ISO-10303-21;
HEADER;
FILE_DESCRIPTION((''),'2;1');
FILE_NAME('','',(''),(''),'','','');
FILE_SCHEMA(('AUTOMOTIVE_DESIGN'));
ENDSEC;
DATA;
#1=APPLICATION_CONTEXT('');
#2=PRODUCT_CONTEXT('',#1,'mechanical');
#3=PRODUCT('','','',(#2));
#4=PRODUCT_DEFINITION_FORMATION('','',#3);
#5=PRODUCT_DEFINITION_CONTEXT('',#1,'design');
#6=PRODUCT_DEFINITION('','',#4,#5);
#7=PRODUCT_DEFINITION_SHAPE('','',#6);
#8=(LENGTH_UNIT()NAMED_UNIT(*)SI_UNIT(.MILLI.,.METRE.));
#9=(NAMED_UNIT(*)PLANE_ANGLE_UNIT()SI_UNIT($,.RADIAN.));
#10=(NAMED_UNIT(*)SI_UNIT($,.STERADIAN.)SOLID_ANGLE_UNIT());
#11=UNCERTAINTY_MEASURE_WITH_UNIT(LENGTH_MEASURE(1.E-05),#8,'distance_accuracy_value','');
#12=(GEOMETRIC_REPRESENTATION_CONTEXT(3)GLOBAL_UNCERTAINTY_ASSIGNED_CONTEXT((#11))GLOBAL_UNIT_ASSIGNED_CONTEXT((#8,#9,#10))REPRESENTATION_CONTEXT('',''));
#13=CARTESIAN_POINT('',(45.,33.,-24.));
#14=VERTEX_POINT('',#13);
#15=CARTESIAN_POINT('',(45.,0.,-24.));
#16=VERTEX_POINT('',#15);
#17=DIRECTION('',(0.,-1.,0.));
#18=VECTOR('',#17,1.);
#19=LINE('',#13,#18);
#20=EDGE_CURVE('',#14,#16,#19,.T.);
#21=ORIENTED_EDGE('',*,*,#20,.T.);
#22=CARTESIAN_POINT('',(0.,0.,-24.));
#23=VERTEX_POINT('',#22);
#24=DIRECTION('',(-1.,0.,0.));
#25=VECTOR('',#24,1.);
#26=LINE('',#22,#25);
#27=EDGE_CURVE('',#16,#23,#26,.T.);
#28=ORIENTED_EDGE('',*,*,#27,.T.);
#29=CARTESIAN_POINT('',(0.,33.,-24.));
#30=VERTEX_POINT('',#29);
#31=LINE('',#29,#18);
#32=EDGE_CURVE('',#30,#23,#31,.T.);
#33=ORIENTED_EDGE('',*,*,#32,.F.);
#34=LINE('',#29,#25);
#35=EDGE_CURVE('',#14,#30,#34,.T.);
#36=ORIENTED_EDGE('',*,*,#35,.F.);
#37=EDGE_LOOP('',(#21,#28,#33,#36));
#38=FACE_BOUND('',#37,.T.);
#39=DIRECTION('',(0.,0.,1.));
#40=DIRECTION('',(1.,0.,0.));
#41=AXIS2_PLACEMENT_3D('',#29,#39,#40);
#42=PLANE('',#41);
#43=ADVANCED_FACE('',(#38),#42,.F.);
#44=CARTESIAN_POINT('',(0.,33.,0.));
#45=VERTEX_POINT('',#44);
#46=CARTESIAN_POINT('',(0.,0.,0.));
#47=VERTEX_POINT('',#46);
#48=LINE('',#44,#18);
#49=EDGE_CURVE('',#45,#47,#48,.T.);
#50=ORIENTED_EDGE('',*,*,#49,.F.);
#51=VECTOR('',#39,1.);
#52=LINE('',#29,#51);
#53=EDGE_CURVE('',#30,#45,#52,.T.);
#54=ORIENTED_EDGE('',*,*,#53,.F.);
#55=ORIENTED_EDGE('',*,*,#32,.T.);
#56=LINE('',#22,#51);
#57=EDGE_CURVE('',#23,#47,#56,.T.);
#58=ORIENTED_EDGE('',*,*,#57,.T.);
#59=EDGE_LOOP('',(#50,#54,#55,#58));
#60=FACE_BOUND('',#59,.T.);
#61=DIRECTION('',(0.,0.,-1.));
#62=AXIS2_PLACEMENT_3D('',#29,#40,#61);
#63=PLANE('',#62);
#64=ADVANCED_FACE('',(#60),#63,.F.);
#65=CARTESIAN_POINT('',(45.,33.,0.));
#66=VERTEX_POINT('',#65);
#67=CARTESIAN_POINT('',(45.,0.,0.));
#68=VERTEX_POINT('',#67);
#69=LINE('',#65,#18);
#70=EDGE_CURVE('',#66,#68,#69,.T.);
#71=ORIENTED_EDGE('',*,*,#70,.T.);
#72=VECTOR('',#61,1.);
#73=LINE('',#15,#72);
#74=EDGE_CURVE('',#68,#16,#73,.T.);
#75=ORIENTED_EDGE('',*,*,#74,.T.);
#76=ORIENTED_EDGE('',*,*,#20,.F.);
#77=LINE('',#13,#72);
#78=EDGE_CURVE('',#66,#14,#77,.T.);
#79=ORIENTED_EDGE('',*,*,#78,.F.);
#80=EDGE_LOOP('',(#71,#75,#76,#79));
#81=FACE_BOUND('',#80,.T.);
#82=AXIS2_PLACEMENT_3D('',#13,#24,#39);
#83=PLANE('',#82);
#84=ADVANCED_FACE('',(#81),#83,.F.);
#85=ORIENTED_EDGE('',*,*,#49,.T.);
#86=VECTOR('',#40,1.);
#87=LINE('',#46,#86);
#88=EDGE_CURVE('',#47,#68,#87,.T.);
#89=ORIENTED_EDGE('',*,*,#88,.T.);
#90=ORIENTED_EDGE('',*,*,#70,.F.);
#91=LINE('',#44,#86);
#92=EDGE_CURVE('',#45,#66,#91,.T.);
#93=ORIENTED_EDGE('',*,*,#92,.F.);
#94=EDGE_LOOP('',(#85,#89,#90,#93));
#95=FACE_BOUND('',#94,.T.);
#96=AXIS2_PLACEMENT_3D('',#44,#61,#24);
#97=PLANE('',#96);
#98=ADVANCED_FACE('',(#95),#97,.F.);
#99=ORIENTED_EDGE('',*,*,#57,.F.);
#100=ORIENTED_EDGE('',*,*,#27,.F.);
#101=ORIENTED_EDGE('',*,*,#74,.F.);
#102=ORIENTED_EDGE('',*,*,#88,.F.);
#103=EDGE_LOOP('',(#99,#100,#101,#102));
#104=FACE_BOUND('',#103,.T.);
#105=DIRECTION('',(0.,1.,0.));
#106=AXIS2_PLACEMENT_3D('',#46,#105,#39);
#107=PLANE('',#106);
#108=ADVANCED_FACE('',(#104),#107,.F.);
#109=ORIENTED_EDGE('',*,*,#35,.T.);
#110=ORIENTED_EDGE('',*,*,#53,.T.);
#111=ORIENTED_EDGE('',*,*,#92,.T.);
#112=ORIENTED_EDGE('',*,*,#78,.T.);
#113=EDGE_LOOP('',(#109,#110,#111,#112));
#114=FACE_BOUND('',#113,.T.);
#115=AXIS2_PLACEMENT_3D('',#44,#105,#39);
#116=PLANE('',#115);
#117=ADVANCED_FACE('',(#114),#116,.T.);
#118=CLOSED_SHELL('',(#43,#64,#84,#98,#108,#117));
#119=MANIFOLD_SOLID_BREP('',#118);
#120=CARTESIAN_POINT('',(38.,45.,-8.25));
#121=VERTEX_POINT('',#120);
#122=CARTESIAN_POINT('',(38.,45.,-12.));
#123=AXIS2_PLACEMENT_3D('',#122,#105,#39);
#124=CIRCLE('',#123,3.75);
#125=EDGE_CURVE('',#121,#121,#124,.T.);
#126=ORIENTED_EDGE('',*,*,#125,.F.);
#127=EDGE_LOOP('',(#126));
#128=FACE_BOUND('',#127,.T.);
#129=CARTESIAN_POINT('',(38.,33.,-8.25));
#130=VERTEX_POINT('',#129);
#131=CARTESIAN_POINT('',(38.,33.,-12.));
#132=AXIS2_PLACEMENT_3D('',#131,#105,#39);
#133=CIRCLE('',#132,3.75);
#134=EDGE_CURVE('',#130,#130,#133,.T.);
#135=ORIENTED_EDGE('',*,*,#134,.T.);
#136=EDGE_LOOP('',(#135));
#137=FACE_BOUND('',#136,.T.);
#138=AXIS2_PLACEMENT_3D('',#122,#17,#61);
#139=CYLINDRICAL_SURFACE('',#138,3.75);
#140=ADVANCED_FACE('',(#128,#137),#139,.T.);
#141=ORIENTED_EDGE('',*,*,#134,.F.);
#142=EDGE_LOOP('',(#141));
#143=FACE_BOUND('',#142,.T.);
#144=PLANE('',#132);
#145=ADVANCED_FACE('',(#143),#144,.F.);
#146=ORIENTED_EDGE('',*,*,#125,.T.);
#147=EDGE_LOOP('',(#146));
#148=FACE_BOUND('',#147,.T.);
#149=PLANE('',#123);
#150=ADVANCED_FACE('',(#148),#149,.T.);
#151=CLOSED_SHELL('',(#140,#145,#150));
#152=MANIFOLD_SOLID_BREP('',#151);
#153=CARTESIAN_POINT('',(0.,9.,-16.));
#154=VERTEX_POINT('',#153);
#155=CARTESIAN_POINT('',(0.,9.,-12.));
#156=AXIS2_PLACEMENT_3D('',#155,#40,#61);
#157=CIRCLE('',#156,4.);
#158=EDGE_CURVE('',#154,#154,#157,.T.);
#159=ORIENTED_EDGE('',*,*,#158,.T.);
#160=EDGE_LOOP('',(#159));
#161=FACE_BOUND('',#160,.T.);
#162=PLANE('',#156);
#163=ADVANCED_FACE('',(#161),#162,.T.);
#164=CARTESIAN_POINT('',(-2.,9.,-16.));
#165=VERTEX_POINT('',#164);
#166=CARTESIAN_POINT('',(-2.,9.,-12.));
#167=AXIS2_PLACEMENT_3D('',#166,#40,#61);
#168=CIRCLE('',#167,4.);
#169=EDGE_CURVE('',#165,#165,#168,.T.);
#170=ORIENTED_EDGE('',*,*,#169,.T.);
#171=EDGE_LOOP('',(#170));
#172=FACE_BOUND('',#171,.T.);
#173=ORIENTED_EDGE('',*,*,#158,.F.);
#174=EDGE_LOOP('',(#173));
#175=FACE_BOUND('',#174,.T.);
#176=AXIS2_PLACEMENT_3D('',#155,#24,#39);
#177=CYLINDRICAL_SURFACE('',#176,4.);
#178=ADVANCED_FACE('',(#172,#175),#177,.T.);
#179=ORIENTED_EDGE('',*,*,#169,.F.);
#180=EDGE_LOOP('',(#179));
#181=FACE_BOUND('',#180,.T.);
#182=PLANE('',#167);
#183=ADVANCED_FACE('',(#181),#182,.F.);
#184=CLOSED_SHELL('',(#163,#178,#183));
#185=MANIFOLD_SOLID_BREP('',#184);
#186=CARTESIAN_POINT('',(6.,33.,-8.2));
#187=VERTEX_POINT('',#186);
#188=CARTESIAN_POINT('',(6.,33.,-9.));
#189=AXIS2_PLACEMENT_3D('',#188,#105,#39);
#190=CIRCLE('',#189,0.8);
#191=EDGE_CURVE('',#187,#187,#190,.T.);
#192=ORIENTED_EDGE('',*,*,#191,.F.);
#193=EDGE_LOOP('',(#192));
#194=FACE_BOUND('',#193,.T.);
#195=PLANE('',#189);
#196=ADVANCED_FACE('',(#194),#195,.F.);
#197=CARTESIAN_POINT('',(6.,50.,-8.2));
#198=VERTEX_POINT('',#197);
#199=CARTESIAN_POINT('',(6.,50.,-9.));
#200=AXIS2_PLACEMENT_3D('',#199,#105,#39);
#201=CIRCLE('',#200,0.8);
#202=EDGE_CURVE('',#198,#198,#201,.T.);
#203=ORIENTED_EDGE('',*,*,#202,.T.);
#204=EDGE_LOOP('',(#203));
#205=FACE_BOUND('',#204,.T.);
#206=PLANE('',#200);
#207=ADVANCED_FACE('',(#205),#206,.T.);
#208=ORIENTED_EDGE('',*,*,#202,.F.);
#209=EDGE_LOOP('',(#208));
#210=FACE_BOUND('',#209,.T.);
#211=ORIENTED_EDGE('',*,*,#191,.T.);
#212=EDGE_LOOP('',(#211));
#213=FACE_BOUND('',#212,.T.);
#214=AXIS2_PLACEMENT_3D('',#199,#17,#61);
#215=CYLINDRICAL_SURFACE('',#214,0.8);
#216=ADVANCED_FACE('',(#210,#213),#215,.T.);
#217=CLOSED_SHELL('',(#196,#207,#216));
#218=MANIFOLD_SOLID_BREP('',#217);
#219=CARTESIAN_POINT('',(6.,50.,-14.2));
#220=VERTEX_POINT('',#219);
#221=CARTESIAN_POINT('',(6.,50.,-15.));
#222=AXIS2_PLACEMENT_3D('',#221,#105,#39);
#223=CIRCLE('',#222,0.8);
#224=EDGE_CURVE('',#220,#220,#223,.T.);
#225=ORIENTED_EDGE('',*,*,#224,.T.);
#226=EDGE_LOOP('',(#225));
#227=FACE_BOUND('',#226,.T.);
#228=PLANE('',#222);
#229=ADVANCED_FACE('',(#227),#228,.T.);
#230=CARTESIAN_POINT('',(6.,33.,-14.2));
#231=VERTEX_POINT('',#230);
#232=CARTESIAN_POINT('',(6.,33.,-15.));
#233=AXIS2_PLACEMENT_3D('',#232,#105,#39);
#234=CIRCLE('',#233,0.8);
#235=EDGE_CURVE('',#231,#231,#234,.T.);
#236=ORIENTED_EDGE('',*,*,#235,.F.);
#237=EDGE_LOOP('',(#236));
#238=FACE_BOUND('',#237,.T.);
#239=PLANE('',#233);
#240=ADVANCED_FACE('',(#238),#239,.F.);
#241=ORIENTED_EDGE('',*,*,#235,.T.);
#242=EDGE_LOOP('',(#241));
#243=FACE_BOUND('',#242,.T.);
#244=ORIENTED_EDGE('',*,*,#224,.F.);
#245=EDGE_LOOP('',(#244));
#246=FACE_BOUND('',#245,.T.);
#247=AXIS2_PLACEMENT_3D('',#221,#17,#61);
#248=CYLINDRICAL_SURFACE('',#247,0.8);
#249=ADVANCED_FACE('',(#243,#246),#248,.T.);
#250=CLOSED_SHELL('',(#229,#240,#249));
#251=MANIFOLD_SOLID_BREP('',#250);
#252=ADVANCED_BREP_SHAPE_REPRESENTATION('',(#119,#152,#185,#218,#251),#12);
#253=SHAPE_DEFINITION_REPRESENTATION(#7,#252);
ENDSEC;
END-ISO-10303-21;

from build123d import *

# Parameters (mm, degrees)
SK_PUMP_BODY_W      = 45
SK_PUMP_BODY_H      = 24
PUMP_BODY_DEPTH     = 33
OUTLET_START        = 33
SK_OUTLET_NOZZLE_R  = 3.75
OUTLET_NOZZLE_DEPTH = 12
INLET_START         = -2
SK_INLET_R          = 4
INLET_DEPTH         = 2
LEAD_START          = 33
SK_LEAD_RED_R       = 0.8
LEAD_RED_DEPTH      = 17
SK_LEAD_BLACK_R     = 0.8
LEAD_BLACK_DEPTH    = 17


with BuildPart() as part:
    # SK Pump body → Pump body (new body)
    with BuildSketch(Plane(origin=(0, 0, 0), x_dir=(1, 0, 0), z_dir=(0, 1, 0))):
        with Locations((22.5, 12)):
            Rectangle(SK_PUMP_BODY_W, SK_PUMP_BODY_H)
    extrude(amount=PUMP_BODY_DEPTH)


with BuildPart() as body_2:
    # SK Outlet nozzle → Outlet nozzle (new body)
    with BuildSketch(Plane(origin=(0, 0, 0), x_dir=(1, 0, 0), z_dir=(0, 1, 0)).offset(OUTLET_START)):
        with Locations(Location((38, 12, 0), (0, 0, 270))):
            Circle(SK_OUTLET_NOZZLE_R)
    extrude(amount=OUTLET_NOZZLE_DEPTH)


with BuildPart() as body_3:
    # SK Inlet → Inlet (new body)
    with BuildSketch(Plane(origin=(0, 0, 0), x_dir=(0, 0, -1), z_dir=(1, 0, 0)).offset(INLET_START)):
        with Locations((12, 9)):
            Circle(SK_INLET_R)
    extrude(amount=INLET_DEPTH)


with BuildPart() as body_4:
    # SK Lead red → Lead red (new body)
    with BuildSketch(Plane(origin=(0, 0, 0), x_dir=(1, 0, 0), z_dir=(0, 1, 0)).offset(LEAD_START)):
        with Locations(Location((6, 9, 0), (0, 0, 270))):
            Circle(SK_LEAD_RED_R)
    extrude(amount=LEAD_RED_DEPTH)


with BuildPart() as body_5:
    # SK Lead black → Lead black (new body)
    with BuildSketch(Plane(origin=(0, 0, 0), x_dir=(1, 0, 0), z_dir=(0, 1, 0)).offset(LEAD_START)):
        with Locations(Location((6, 15, 0), (0, 0, 270))):
            Circle(SK_LEAD_BLACK_R)
    extrude(amount=LEAD_BLACK_DEPTH)


solid = Compound([part.part, body_2.part, body_3.part, body_4.part, body_5.part])
